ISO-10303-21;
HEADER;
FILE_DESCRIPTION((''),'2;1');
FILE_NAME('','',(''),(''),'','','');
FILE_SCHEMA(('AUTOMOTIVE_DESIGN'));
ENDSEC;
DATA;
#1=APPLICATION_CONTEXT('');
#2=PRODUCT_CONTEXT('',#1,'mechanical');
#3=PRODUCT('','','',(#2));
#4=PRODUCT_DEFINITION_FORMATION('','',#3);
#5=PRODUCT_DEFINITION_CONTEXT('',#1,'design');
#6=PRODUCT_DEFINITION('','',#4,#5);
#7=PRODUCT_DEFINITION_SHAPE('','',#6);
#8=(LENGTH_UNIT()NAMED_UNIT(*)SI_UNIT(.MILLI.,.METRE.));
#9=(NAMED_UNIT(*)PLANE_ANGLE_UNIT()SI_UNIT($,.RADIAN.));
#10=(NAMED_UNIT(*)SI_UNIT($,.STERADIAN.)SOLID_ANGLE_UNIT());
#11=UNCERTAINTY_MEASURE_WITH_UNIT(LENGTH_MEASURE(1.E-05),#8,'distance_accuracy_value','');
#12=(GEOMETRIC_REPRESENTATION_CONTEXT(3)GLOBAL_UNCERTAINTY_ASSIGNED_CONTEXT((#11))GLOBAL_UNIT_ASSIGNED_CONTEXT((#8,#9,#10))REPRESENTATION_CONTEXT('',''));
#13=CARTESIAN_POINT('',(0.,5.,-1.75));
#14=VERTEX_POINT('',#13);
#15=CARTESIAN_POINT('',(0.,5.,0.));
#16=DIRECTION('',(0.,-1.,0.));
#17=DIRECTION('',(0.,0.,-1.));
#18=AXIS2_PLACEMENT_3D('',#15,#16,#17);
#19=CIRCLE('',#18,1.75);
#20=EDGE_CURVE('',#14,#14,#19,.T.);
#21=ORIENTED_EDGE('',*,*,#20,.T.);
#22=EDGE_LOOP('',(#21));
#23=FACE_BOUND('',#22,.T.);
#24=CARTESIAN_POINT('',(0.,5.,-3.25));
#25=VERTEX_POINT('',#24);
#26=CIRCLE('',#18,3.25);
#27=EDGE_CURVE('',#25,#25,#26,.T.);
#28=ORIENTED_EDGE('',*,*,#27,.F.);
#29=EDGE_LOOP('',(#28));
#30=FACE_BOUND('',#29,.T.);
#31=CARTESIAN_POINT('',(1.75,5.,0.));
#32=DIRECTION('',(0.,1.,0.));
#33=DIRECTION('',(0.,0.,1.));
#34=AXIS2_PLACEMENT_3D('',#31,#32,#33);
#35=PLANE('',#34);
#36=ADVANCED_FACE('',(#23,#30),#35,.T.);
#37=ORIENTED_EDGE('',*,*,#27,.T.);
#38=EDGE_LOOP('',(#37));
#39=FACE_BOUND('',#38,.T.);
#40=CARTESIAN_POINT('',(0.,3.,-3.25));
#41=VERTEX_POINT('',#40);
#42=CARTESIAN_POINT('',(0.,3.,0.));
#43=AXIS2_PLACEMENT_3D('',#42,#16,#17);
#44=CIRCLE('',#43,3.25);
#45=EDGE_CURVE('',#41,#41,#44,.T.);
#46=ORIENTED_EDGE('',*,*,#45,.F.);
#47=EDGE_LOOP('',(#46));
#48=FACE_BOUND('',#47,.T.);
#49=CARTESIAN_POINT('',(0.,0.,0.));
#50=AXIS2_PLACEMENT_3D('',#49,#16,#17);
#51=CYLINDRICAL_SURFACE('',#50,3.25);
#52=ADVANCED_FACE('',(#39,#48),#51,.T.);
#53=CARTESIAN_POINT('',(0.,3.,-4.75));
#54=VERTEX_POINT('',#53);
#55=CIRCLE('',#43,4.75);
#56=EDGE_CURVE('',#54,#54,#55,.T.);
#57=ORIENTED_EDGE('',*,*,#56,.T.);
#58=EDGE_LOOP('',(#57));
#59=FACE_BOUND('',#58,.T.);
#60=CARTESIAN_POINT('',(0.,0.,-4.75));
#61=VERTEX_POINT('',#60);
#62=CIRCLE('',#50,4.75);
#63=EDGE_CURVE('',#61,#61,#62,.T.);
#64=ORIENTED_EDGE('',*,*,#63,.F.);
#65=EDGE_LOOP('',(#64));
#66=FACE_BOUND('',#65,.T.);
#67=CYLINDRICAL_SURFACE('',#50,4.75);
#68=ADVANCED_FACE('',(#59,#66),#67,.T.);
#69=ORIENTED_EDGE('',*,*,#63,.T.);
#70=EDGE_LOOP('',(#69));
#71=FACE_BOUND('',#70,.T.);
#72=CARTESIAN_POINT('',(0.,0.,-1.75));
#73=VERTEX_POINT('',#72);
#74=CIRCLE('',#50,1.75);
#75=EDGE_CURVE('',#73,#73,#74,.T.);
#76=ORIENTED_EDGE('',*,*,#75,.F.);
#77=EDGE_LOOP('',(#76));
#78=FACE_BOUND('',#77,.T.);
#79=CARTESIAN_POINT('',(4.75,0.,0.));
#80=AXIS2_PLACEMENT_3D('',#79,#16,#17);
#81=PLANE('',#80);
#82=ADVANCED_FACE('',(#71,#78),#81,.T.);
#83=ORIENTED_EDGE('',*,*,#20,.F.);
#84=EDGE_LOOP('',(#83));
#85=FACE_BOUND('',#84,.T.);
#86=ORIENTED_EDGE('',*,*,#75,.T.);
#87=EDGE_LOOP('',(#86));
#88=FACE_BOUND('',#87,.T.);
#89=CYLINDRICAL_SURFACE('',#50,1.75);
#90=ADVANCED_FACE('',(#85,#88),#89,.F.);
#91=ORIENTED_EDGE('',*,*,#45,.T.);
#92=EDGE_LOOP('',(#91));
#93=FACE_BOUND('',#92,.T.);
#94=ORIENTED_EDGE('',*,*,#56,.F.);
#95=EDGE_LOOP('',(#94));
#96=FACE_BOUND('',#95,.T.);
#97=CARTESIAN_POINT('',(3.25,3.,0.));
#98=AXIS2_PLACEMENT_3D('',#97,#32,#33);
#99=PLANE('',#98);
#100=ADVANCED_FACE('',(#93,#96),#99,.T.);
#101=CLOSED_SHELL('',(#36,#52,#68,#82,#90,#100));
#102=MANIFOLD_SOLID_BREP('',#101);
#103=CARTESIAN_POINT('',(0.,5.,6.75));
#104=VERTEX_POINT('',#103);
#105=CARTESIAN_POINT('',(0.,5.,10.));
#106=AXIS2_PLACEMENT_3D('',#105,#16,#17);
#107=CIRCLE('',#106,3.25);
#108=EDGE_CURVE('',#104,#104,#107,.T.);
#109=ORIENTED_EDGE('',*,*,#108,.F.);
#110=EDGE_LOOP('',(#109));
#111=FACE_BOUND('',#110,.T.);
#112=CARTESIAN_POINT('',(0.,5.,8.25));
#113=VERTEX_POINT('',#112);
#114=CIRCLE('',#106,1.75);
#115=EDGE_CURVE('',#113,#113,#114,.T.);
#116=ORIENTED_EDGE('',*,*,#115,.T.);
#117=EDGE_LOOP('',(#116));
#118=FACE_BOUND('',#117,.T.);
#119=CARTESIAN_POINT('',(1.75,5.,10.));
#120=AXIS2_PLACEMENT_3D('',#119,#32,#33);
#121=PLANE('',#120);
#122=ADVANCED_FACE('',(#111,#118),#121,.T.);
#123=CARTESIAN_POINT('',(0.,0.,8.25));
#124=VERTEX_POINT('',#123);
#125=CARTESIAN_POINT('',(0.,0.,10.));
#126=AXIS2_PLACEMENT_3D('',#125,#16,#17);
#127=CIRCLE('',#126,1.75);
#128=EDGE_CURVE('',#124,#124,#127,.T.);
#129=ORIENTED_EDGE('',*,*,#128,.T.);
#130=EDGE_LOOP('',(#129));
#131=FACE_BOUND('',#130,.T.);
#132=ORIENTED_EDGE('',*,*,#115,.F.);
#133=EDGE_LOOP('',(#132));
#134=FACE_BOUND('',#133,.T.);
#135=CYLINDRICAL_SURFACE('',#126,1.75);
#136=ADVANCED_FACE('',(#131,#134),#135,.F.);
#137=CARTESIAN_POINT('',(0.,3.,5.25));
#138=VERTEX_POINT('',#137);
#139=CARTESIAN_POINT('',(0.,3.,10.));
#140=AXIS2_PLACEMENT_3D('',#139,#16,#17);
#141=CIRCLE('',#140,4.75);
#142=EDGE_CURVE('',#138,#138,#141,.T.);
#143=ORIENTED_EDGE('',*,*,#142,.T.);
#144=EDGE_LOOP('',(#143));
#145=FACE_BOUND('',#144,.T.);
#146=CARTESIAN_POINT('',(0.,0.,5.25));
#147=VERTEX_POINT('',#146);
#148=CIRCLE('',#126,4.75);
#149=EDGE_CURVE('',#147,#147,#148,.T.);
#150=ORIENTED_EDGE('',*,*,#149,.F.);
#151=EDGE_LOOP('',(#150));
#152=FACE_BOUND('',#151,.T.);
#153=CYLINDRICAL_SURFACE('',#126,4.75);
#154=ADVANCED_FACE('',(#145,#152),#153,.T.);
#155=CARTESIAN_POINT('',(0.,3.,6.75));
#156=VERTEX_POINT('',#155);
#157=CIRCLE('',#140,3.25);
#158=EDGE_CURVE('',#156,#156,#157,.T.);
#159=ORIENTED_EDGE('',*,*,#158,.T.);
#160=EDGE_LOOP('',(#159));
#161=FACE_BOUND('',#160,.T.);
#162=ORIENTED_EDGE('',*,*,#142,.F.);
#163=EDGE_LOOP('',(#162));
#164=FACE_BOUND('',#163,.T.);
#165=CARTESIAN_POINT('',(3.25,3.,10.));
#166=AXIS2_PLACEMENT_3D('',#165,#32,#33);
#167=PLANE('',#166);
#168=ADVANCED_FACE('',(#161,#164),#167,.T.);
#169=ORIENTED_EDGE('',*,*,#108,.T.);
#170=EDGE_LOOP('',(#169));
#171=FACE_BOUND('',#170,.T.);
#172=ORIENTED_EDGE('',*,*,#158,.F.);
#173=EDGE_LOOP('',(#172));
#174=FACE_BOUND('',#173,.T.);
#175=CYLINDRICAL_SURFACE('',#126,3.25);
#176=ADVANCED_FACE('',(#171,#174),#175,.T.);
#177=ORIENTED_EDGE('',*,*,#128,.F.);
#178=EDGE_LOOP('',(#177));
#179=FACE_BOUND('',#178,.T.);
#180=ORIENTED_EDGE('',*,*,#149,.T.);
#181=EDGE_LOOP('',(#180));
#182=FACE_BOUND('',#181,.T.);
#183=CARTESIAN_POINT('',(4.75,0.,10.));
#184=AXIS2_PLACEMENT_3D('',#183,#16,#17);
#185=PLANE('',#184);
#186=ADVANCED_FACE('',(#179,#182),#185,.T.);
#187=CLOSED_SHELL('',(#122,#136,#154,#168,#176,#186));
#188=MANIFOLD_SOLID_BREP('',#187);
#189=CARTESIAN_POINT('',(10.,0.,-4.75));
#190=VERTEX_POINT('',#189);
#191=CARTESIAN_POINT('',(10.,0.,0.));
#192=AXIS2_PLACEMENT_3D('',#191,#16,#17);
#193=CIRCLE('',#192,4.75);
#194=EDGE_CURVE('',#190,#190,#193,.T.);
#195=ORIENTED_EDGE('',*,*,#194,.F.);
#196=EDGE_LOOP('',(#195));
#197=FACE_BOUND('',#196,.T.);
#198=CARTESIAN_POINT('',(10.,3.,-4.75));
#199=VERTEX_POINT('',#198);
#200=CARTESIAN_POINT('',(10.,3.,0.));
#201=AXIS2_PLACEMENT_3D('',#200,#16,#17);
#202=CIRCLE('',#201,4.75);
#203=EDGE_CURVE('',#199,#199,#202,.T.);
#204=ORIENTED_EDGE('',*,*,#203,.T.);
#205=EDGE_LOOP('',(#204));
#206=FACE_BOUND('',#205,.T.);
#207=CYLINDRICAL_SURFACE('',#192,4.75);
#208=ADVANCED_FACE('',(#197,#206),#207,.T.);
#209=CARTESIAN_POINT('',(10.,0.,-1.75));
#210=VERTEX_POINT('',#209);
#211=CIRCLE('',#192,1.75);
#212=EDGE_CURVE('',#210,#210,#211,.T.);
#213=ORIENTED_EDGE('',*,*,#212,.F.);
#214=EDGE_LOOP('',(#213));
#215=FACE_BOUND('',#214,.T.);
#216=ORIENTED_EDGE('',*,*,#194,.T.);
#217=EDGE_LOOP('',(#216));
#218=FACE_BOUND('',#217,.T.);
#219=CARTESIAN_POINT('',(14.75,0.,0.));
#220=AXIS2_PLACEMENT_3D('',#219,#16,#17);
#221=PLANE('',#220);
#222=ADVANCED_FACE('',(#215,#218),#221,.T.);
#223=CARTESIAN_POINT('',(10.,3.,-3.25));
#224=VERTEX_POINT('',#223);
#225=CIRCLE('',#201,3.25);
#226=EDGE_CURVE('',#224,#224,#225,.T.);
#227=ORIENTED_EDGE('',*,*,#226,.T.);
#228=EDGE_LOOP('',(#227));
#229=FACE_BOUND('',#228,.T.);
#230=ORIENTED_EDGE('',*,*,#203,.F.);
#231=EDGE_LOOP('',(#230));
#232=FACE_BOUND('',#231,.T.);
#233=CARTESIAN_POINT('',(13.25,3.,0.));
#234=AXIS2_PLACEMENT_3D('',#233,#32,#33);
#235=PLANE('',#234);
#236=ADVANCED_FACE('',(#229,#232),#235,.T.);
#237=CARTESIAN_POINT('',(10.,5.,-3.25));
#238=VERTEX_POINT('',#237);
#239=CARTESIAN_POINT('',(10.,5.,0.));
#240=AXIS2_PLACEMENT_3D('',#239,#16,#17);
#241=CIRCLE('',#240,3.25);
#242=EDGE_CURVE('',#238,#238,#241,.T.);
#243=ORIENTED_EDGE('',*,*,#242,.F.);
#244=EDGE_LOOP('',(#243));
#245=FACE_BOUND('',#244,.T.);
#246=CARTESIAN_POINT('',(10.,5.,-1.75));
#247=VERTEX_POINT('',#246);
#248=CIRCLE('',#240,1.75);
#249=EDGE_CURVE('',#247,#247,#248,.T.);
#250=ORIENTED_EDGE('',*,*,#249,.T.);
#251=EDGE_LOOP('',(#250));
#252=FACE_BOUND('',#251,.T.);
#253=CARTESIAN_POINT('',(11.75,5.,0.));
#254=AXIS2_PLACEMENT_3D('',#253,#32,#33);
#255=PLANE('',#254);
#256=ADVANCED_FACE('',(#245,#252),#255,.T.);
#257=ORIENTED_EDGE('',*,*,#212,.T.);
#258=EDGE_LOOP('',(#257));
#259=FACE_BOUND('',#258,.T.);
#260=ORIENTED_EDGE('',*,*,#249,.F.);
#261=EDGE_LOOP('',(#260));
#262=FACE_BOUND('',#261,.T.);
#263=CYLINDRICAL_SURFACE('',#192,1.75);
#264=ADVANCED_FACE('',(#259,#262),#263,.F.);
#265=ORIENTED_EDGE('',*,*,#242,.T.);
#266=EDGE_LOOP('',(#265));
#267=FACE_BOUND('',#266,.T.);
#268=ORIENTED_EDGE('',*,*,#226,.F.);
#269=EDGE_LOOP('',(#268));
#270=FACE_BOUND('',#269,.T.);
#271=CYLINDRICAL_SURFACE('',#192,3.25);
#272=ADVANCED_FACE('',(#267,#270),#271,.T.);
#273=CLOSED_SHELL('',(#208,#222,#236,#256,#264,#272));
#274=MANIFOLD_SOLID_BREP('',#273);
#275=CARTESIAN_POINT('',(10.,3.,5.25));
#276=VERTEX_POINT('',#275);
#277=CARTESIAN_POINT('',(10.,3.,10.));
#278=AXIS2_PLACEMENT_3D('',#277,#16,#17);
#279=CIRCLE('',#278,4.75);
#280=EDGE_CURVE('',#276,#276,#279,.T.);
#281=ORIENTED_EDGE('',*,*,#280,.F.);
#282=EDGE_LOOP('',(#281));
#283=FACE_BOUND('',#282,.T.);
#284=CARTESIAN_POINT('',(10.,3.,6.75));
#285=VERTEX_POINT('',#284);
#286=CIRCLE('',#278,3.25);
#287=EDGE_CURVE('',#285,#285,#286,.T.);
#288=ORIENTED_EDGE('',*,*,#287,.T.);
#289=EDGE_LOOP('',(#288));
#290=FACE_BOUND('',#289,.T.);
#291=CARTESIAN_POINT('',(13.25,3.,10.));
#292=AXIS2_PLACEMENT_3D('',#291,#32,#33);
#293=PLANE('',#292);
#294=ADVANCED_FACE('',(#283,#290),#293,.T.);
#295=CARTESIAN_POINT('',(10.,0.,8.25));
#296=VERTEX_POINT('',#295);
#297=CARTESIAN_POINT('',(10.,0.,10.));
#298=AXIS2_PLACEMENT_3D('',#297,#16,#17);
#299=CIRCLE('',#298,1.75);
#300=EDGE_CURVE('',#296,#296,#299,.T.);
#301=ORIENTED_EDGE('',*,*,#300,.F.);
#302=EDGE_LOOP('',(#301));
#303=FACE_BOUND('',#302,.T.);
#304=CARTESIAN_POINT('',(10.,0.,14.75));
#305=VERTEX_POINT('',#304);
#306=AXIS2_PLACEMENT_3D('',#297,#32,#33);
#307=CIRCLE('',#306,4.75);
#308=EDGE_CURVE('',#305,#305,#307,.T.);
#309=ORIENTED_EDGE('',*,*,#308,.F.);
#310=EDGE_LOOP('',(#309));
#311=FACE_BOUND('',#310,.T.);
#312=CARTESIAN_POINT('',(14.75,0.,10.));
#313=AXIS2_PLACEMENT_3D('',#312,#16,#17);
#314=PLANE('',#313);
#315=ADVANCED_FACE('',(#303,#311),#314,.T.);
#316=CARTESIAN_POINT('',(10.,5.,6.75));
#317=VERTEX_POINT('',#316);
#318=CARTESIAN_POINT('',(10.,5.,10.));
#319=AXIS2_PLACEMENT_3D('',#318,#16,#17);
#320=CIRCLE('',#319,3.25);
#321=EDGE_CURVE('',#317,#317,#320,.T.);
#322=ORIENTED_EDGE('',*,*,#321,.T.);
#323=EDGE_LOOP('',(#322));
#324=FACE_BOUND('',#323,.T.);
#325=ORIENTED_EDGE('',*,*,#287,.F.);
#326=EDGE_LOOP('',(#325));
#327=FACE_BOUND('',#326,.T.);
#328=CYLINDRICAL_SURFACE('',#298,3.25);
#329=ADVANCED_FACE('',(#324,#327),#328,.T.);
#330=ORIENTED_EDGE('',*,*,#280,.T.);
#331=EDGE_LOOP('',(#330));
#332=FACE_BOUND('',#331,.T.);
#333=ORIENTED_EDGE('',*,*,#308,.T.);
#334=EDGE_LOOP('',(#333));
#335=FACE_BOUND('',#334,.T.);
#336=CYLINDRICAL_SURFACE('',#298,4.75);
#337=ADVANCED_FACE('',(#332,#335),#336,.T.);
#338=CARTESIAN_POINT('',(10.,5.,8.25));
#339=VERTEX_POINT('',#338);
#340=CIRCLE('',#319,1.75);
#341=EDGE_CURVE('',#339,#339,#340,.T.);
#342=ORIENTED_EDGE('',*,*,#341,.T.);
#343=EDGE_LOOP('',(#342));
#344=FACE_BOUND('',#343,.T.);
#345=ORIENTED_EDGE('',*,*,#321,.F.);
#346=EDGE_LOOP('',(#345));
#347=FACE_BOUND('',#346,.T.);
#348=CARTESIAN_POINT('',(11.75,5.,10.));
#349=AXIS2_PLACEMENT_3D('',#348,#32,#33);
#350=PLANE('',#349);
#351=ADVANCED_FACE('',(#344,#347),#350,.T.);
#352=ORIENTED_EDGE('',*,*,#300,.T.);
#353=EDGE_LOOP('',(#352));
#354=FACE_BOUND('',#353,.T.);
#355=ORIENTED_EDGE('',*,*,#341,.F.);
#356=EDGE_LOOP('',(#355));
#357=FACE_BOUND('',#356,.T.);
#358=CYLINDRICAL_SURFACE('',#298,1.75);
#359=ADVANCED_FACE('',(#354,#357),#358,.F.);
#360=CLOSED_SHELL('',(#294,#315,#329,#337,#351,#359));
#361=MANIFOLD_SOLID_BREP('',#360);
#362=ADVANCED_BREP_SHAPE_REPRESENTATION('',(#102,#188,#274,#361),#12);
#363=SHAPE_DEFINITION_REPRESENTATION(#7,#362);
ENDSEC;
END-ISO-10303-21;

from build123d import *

# Parameters (mm, degrees)
SKETCH3_W            = 10
SKETCH3_H            = 10
BOSS_EXTRUDE1_DEPTH  = 10
LPATTERN2_COUNT      = 2
LPATTERN2_PITCH      = 10
LPATTERN2_COUNT_DIR2 = 2
LPATTERN2_PITCH_DIR2 = 10
SKETCH4_W            = 10
SKETCH4_H            = 10
CUT_EXTRUDE1_DEPTH   = 10


with BuildPart() as part:
    # Sketch1 → Revolve1 (revolve)
    with BuildSketch(Plane.XY, mode=Mode.PRIVATE) as revolve1_sk:
        Polygon((1.75, 0), (1.75, 5), (3.25, 5), (3.25, 3), (4.75, 3), (4.75, 0), align=None)
    revolve1 = revolve(revolve1_sk.sketch.rotate(Axis((0, 0, 0), (0, 1, 0)), 90), axis=Axis((0, 0, 0), (0, 1, 0)))

    # Sketch3 → Boss-Extrude1 (add)
    with BuildSketch(Plane.XZ):
        with Locations((5, 5)):
            Rectangle(SKETCH3_W, SKETCH3_H)
    extrude(amount=BOSS_EXTRUDE1_DEPTH)

    # LPattern2: Revolve1 2 × 2
    with Locations(*[(j * LPATTERN2_PITCH_DIR2, 0, i * LPATTERN2_PITCH) for i in range(LPATTERN2_COUNT) for j in range(LPATTERN2_COUNT_DIR2) if (i, j) != (0, 0)]):
        add(revolve1)

    # Sketch4 → Cut-Extrude1 (cut)
    with BuildSketch(Plane.XZ.offset(10)):
        with Locations((5, 5)):
            Rectangle(SKETCH4_W, SKETCH4_H)
    extrude(amount=-CUT_EXTRUDE1_DEPTH, mode=Mode.SUBTRACT)


with BuildPart() as cut_extrude1_piece_1:
    # of the separate pieces the step leaves, piece 1, a body of its own (cut_extrude1_pieces)
    add(part.part.solids().sort_by_distance((10, 3, 5.25))[0])


with BuildPart() as cut_extrude1_piece_2:
    # of the separate pieces the step leaves, piece 2, a body of its own (cut_extrude1_pieces)
    add(part.part.solids().sort_by_distance((10, 0, -4.75))[0])


with BuildPart() as cut_extrude1_piece_3:
    # of the separate pieces the step leaves, piece 3, a body of its own (cut_extrude1_pieces)
    add(part.part.solids().sort_by_distance((0, 0, 8.25))[0])


with BuildPart() as cut_extrude1_piece_4:
    # of the separate pieces the step leaves, piece 4, a body of its own (cut_extrude1_pieces)
    add(part.part.solids().sort_by_distance((0, 0, -1.75))[0])


solid = Compound([cut_extrude1_piece_1.part, cut_extrude1_piece_2.part, cut_extrude1_piece_3.part, cut_extrude1_piece_4.part])
